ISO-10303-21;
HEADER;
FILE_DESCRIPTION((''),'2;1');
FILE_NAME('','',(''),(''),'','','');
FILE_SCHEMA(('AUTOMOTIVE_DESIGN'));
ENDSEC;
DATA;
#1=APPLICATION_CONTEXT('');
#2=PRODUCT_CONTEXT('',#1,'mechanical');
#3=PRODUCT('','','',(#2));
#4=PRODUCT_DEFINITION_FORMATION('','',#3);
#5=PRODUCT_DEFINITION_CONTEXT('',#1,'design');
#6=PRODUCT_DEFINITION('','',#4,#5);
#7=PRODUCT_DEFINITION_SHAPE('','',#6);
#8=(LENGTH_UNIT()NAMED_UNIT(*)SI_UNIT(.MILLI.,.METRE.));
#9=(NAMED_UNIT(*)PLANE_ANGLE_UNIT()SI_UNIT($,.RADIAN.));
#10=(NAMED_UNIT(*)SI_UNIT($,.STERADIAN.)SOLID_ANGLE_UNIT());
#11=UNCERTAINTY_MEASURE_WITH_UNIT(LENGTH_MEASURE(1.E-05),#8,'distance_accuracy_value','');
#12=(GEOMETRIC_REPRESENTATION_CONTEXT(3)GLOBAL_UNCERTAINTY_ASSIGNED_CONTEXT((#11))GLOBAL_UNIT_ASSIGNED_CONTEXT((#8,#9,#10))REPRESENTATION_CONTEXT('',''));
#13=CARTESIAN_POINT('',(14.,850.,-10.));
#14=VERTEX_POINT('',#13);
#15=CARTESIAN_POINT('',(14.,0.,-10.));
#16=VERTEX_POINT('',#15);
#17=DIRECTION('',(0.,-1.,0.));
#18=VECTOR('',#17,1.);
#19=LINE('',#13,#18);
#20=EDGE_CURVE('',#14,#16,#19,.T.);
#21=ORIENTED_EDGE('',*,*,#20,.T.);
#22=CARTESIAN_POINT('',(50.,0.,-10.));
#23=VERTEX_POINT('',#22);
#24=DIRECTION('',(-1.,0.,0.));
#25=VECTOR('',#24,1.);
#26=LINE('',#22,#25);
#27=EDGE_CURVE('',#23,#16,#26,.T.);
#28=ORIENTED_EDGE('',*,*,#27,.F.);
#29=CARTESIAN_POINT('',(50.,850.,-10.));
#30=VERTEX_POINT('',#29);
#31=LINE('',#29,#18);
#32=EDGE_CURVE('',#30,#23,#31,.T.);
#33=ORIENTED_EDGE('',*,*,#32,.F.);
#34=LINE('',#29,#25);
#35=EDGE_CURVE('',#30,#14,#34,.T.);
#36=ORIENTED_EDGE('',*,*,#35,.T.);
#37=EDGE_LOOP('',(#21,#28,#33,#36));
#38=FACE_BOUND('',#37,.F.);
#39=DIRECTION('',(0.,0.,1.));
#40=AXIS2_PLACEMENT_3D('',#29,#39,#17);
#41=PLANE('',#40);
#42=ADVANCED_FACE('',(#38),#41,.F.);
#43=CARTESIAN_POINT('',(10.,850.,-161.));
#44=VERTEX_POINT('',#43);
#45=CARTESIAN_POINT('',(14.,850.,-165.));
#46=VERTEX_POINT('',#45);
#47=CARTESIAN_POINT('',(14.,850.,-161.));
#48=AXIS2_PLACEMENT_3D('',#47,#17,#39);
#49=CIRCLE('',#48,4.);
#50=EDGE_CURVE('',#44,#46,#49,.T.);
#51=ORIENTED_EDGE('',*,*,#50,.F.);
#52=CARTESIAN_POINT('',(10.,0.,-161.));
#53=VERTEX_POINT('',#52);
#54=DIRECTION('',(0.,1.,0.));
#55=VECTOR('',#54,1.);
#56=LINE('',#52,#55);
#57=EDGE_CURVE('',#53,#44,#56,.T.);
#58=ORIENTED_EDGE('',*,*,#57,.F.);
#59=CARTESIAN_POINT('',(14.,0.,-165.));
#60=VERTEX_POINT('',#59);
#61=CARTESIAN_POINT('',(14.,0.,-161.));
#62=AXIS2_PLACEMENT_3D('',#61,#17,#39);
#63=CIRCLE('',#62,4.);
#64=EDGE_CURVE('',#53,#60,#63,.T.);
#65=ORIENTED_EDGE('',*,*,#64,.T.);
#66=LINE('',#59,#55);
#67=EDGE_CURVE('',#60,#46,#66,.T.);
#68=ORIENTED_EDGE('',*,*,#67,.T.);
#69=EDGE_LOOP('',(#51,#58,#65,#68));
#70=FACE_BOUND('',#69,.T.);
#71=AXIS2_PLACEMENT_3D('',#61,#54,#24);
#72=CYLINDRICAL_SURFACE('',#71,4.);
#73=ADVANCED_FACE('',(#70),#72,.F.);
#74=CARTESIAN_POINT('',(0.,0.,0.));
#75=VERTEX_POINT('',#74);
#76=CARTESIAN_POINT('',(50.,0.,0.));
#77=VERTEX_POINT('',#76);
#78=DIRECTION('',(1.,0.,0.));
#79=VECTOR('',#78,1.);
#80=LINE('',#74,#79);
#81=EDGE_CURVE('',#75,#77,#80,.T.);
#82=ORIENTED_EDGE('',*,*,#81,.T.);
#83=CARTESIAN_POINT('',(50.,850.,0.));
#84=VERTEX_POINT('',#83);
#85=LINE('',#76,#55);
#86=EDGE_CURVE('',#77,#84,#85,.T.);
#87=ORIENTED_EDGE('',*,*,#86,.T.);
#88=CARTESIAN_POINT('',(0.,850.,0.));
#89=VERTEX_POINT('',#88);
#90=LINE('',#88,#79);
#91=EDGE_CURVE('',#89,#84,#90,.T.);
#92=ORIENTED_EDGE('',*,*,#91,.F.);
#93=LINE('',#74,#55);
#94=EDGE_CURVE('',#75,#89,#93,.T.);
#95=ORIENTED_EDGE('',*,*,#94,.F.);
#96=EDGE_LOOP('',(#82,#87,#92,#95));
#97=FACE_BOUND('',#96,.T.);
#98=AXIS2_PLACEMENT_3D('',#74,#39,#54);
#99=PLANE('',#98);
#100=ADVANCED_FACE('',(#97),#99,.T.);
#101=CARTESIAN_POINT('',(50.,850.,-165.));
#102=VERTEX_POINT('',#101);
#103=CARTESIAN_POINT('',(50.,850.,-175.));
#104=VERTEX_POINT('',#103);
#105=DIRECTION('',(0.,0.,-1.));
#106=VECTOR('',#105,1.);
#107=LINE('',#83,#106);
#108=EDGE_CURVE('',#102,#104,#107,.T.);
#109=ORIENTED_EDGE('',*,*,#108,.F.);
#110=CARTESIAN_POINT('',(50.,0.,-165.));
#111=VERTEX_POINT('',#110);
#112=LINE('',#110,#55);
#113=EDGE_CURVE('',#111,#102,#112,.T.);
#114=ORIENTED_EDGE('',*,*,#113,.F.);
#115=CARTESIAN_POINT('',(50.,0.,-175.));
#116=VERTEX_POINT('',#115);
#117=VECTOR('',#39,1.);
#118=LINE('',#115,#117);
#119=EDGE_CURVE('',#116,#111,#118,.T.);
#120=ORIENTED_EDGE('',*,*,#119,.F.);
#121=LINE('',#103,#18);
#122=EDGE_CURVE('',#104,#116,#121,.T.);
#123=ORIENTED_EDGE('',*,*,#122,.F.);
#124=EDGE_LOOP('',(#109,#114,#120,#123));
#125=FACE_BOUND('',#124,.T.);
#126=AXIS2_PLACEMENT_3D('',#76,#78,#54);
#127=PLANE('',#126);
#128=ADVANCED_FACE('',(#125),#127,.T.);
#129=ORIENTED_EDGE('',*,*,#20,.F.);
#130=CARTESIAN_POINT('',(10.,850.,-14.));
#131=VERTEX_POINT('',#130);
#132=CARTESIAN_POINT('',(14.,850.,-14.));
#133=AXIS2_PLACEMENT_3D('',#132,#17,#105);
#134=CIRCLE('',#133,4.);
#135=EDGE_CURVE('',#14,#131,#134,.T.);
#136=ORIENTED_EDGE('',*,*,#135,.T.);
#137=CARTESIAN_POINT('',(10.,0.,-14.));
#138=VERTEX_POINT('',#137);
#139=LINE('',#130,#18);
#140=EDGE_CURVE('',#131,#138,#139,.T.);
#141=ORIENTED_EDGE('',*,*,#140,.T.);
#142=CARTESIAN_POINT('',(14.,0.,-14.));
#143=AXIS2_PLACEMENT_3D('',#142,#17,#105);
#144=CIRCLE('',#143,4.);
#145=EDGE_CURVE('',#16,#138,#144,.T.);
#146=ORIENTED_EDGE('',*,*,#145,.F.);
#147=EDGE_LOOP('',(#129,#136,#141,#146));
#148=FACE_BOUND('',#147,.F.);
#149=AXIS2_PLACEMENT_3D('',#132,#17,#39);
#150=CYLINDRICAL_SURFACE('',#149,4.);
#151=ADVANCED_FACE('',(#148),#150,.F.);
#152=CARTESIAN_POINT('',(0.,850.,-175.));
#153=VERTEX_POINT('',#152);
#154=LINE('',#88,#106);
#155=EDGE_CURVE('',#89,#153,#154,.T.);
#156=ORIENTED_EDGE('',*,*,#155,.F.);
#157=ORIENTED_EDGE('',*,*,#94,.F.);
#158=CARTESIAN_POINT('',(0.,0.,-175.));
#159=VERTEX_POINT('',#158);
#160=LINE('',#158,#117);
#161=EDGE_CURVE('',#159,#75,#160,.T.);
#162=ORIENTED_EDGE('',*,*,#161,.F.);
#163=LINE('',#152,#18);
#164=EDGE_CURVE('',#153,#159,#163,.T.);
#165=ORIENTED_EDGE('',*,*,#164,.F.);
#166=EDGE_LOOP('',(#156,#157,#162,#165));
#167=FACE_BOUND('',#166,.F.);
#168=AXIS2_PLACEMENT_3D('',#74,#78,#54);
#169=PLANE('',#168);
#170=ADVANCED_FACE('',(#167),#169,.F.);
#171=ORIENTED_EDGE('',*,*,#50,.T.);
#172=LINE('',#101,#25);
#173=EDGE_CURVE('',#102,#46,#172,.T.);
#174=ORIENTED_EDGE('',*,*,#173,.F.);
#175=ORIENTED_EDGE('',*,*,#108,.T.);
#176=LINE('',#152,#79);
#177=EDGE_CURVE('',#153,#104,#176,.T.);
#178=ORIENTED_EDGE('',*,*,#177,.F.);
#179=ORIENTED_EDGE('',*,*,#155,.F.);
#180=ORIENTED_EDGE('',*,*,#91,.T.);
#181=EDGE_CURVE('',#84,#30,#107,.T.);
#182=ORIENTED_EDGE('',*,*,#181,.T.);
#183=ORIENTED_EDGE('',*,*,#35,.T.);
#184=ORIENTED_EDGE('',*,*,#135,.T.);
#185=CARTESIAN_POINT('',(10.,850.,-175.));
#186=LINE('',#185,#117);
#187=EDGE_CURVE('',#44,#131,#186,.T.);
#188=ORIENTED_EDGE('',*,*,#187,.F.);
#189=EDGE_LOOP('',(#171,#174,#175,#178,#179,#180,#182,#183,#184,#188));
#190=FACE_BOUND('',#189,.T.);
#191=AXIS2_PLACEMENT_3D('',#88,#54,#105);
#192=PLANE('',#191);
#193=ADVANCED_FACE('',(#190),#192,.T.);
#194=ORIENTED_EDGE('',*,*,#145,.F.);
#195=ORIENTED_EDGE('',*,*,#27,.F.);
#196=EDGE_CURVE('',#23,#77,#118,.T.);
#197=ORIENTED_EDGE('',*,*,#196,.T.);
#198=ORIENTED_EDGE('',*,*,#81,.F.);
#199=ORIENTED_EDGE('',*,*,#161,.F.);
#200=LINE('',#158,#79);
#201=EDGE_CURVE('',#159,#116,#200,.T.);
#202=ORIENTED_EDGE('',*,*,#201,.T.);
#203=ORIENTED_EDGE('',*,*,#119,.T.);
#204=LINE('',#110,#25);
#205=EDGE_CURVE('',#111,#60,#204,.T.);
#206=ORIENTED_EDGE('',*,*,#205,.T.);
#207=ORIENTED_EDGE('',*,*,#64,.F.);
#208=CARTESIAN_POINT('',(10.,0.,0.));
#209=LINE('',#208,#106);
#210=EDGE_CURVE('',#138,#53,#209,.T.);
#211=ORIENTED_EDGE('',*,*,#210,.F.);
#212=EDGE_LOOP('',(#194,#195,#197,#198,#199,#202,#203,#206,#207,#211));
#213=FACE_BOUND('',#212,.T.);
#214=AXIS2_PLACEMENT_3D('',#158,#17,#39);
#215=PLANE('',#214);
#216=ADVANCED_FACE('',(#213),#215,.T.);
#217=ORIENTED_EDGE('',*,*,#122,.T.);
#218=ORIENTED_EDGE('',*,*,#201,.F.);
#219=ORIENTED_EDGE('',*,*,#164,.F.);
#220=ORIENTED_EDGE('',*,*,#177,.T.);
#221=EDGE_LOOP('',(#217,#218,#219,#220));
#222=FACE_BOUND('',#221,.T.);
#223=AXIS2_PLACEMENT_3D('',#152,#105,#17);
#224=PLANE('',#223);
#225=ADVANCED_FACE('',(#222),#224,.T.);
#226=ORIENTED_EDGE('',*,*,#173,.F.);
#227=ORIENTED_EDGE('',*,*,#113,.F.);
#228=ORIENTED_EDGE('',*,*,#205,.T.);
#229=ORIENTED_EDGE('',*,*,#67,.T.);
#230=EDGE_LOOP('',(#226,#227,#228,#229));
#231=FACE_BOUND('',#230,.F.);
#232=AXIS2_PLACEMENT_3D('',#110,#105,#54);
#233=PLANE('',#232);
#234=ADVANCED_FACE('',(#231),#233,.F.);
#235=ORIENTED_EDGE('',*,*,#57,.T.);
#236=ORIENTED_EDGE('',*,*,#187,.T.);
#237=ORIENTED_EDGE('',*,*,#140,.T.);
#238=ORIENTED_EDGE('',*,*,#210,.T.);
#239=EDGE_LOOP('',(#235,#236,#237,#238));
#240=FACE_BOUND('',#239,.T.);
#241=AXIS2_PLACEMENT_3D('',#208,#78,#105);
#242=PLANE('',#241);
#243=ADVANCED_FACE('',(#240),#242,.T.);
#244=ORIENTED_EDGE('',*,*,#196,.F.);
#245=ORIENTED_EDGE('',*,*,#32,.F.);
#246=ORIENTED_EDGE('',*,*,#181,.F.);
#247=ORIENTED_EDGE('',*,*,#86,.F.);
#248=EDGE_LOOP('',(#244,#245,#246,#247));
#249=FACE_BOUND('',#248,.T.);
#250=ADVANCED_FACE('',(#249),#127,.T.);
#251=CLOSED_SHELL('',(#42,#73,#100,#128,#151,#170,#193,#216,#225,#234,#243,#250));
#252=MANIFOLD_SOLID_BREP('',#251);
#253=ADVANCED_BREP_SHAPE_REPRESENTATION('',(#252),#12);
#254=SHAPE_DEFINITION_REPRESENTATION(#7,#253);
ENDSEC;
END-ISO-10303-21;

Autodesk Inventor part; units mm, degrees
ref_plane "YZ Plane" through (0, 0, 0) normal (1, 0, 0) x (0, 1, 0)
ref_plane "XZ Plane" through (0, 0, 0) normal (0, 1, 0) x (-1, 0, 0)
ref_plane "XY Plane" through (0, 0, 0) normal (0, 0, 1) x (1, 0, 0)
sketch "Sketch1" plane through (0, 0, 0) normal (1, 0, 0) x (0, 1, 0)
  line L0 (0, 0) -> (850, 0)
  line L1 (850, 0) -> (850, -175)
  line L2 (850, -175) -> (0, -175)
  line L3 (0, -175) -> (0, 0)
  dimension "d0" = 850
  dimension "d1" = 175
extrude "Extrusion1" add sketch "Sketch1" along normal blind 50
sketch "Sketch2" plane through (50, 0, 0) normal (1, 0, 0) x (0, 0, -1)
  line L0 (0, 0) -> (175, 0) projected
  line L1 (175, 850) -> (0, 850) projected
  line L2 (10, 0) -> (165, 0)
  line L3 (165, 0) -> (165, 850)
  line L4 (165, 850) -> (10, 850)
  line L5 (10, 850) -> (10, 0)
  dimension "d4" = 155
extrude "Extrusion2" cut sketch "Sketch2" against normal blind 40
fillet "Fillet1" radius 4 2 edges at (10, 425, -165) (10, 425, -10)
equation "\"BendRadius\" = Thickness"
equation "\"BendReliefWidth\" = Thickness"
equation "\"BendReliefDepth\" = 0.5 * Thickness"
equation "\"CornerReliefSize\" = 4 * Thickness"
equation "\"MinimumRemnant\" = 2 * Thickness"
equation "\"TransitionRadius\" = BendRadius"
equation "\"JacobiRadiusSize\" = BendRadius"
equation "\"GapSize\" = Thickness"
equation "\"Thickness\" = 0.5"
properties part number "Base2"
